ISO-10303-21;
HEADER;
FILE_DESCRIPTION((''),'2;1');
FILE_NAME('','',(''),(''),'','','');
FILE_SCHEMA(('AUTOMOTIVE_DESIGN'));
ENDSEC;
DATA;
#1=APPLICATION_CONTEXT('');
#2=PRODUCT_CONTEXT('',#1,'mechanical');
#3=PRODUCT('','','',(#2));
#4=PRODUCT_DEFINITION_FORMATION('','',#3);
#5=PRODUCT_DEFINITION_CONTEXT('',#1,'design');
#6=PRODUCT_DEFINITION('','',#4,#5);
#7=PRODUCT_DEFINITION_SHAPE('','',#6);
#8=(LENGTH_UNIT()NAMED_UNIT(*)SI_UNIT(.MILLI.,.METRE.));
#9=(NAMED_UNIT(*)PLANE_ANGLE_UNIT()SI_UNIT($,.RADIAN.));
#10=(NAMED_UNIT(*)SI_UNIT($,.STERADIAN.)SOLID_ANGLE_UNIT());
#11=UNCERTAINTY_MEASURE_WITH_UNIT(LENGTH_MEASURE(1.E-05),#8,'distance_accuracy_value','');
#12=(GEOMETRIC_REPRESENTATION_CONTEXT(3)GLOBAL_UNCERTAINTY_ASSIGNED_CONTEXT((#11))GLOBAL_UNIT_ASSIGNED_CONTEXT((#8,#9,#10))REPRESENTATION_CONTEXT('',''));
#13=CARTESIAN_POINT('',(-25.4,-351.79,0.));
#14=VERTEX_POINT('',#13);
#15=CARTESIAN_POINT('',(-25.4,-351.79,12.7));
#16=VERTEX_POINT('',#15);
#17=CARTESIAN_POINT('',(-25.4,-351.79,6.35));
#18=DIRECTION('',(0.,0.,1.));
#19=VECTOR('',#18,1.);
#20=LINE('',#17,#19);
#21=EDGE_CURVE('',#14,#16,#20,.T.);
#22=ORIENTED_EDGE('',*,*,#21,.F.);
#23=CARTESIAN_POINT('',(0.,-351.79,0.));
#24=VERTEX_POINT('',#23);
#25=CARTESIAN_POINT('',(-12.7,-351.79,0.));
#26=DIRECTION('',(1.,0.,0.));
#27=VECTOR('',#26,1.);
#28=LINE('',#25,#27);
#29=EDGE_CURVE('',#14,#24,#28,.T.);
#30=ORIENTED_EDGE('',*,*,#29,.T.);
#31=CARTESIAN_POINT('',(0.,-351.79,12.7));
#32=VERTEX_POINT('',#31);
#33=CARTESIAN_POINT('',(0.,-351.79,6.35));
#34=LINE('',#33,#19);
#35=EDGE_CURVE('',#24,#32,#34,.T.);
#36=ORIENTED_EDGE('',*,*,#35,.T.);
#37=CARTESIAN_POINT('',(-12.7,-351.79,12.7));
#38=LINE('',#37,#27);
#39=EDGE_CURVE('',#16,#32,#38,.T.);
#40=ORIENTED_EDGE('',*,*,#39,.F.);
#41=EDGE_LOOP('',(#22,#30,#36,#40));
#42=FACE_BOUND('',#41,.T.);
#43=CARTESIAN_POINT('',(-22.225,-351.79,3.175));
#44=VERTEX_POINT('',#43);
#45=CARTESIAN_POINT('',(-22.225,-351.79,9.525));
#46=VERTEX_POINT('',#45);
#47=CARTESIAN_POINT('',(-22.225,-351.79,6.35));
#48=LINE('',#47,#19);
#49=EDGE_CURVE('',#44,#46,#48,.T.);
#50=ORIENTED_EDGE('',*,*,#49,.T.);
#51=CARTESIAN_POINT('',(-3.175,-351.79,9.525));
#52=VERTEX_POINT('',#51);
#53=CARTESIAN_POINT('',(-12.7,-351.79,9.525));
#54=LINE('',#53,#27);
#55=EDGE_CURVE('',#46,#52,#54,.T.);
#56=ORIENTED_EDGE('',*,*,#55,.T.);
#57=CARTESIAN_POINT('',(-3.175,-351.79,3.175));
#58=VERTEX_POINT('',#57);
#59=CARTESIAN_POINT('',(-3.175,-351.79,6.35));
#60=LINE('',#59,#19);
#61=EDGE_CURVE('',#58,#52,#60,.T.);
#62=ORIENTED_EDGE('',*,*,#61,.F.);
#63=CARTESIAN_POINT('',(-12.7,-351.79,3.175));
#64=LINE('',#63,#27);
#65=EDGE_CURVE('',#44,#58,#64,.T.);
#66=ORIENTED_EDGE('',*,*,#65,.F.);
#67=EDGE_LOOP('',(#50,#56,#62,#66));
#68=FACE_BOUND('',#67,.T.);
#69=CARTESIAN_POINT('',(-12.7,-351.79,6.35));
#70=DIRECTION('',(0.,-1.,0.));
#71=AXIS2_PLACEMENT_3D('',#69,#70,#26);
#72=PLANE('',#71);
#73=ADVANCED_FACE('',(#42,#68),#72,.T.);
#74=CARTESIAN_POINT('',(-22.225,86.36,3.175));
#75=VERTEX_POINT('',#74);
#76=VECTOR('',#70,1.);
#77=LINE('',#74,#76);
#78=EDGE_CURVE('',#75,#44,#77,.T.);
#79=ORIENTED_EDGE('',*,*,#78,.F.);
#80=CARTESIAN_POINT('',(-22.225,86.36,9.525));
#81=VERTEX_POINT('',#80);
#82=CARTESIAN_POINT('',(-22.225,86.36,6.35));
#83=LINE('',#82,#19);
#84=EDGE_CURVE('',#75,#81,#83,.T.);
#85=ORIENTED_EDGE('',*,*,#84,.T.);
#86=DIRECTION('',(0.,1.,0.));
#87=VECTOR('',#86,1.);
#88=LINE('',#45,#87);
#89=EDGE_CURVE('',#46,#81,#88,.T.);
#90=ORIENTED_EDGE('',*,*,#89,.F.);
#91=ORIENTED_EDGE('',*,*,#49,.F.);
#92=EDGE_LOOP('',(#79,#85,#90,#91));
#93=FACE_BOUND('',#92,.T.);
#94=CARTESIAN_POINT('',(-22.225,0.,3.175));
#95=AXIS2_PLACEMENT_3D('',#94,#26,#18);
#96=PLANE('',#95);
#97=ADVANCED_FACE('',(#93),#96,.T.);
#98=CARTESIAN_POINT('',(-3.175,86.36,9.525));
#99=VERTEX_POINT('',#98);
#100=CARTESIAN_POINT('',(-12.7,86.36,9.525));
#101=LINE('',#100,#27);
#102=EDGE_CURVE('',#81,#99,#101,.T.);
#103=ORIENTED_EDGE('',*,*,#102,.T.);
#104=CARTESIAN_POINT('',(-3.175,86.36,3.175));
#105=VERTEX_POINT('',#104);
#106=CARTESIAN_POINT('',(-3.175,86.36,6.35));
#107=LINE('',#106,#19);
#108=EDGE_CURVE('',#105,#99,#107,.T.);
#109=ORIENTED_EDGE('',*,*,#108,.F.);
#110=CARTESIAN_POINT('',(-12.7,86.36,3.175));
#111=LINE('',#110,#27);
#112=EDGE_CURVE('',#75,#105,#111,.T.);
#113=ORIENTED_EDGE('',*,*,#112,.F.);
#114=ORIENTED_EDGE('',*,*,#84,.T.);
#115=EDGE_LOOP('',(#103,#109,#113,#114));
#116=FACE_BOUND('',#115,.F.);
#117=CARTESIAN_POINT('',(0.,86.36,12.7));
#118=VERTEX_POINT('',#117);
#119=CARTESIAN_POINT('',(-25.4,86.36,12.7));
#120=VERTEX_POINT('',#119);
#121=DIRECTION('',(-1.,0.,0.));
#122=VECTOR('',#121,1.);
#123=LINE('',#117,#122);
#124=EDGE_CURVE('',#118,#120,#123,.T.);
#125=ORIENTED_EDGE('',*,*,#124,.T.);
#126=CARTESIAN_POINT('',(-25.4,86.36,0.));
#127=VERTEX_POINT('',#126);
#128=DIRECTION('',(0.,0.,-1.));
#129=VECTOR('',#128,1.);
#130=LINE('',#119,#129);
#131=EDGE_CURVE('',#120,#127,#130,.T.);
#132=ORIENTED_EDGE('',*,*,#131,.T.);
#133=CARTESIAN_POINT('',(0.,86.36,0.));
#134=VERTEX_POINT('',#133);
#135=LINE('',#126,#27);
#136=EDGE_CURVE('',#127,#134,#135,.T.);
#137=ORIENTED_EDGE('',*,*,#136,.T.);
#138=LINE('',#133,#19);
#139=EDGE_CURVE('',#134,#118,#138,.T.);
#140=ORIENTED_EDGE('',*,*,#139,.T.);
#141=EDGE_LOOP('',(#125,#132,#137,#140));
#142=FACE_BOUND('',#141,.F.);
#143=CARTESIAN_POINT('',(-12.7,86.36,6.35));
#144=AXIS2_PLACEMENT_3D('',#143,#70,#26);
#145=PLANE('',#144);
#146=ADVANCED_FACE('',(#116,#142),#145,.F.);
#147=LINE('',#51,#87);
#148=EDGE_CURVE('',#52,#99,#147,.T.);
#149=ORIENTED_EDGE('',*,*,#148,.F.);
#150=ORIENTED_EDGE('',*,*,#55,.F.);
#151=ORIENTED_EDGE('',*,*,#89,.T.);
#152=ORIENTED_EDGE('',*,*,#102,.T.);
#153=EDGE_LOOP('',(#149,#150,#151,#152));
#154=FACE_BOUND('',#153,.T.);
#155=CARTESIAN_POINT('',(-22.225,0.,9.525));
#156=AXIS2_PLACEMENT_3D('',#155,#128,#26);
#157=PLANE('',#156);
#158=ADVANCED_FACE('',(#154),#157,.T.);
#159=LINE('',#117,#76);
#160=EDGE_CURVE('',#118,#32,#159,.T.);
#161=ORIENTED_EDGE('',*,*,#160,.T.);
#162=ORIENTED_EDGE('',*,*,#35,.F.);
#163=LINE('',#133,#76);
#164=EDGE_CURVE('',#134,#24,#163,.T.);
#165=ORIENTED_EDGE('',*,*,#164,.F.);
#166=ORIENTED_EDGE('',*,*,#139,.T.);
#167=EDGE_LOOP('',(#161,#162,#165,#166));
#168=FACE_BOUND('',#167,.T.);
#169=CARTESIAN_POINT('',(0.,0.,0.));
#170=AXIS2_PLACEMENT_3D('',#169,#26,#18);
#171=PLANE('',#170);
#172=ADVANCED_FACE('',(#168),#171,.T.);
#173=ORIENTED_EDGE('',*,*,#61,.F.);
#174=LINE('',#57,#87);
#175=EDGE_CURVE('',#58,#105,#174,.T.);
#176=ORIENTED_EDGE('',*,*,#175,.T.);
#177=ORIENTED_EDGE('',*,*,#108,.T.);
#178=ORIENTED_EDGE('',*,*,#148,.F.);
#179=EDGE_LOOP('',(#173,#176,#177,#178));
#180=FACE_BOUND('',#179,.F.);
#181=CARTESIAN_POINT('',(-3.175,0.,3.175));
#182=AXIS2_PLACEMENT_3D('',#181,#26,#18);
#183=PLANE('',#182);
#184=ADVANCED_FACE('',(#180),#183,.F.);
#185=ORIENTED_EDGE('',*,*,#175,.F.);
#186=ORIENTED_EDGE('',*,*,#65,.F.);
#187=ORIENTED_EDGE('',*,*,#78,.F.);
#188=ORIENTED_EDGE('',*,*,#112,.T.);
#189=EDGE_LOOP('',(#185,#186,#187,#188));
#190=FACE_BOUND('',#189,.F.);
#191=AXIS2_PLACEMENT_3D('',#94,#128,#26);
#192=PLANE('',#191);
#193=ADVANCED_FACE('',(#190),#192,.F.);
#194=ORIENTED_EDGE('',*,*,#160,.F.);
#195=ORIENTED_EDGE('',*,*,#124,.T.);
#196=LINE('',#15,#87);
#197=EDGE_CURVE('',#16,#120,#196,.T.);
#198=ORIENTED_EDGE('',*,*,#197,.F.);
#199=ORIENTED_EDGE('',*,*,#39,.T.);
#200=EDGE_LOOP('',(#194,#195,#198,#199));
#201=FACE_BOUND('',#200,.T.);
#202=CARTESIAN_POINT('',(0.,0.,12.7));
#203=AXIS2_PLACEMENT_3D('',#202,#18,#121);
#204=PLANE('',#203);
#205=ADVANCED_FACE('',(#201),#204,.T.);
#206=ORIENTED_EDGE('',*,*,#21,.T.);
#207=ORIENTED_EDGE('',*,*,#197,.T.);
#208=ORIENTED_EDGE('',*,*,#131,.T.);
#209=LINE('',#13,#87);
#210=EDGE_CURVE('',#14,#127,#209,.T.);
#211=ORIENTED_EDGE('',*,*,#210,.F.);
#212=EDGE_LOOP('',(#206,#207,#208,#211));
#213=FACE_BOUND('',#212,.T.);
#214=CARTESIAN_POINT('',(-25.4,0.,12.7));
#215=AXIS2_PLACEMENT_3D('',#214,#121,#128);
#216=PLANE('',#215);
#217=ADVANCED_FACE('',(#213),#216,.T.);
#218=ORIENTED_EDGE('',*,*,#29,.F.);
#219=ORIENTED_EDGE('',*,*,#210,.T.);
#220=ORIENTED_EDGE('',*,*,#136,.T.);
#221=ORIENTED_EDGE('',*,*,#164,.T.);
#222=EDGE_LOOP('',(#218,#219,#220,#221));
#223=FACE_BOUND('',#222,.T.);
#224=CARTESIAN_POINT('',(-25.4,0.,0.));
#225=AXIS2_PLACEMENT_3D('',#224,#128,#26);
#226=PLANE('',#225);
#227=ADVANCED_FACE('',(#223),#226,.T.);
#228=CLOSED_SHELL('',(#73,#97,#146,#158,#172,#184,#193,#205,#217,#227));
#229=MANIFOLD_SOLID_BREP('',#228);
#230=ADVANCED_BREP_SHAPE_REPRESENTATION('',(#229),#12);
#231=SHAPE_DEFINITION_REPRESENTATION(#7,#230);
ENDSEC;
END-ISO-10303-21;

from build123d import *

# Parameters (mm, degrees)
F0_W     = 19.05
F0_H     = 6.35
F1_DEPTH = 265.43
F2_W     = 25.4
F2_H     = 12.7
F2_W_2   = 19.05
F2_H_2   = 6.35
F3_DEPTH = 86.36
F4_DEPTH = 86.36


with BuildPart() as f1:
    # F0 (on Front) → F1 (new body)
    with BuildSketch(Plane.XZ):
        Polygon((-25.4, 0), (0, 0), (0, 12.7), (-25.4, 12.7), (-25.4, 9.525), align=None)
        with Locations((-12.7, 6.35)):
            Rectangle(F0_W, F0_H, mode=Mode.SUBTRACT)
    extrude(amount=F1_DEPTH)

    # F2 (on face) → F3 (join)
    with BuildSketch(Plane.XZ.offset(265.43)):
        with Locations((-12.7, 6.35)):
            Rectangle(F2_W, F2_H)
        with Locations((-12.7, 6.35)):
            Rectangle(F2_W_2, F2_H_2, mode=Mode.SUBTRACT)
    extrude(amount=F3_DEPTH)

    # F4 (add): a face of the model
    f4_faces = [f1.faces().sort_by_distance(p)[0] for p in [
        (-12.7, 0, 0.2839806331),
    ]]
    extrude(f4_faces, amount=F4_DEPTH)


solid = f1.part
